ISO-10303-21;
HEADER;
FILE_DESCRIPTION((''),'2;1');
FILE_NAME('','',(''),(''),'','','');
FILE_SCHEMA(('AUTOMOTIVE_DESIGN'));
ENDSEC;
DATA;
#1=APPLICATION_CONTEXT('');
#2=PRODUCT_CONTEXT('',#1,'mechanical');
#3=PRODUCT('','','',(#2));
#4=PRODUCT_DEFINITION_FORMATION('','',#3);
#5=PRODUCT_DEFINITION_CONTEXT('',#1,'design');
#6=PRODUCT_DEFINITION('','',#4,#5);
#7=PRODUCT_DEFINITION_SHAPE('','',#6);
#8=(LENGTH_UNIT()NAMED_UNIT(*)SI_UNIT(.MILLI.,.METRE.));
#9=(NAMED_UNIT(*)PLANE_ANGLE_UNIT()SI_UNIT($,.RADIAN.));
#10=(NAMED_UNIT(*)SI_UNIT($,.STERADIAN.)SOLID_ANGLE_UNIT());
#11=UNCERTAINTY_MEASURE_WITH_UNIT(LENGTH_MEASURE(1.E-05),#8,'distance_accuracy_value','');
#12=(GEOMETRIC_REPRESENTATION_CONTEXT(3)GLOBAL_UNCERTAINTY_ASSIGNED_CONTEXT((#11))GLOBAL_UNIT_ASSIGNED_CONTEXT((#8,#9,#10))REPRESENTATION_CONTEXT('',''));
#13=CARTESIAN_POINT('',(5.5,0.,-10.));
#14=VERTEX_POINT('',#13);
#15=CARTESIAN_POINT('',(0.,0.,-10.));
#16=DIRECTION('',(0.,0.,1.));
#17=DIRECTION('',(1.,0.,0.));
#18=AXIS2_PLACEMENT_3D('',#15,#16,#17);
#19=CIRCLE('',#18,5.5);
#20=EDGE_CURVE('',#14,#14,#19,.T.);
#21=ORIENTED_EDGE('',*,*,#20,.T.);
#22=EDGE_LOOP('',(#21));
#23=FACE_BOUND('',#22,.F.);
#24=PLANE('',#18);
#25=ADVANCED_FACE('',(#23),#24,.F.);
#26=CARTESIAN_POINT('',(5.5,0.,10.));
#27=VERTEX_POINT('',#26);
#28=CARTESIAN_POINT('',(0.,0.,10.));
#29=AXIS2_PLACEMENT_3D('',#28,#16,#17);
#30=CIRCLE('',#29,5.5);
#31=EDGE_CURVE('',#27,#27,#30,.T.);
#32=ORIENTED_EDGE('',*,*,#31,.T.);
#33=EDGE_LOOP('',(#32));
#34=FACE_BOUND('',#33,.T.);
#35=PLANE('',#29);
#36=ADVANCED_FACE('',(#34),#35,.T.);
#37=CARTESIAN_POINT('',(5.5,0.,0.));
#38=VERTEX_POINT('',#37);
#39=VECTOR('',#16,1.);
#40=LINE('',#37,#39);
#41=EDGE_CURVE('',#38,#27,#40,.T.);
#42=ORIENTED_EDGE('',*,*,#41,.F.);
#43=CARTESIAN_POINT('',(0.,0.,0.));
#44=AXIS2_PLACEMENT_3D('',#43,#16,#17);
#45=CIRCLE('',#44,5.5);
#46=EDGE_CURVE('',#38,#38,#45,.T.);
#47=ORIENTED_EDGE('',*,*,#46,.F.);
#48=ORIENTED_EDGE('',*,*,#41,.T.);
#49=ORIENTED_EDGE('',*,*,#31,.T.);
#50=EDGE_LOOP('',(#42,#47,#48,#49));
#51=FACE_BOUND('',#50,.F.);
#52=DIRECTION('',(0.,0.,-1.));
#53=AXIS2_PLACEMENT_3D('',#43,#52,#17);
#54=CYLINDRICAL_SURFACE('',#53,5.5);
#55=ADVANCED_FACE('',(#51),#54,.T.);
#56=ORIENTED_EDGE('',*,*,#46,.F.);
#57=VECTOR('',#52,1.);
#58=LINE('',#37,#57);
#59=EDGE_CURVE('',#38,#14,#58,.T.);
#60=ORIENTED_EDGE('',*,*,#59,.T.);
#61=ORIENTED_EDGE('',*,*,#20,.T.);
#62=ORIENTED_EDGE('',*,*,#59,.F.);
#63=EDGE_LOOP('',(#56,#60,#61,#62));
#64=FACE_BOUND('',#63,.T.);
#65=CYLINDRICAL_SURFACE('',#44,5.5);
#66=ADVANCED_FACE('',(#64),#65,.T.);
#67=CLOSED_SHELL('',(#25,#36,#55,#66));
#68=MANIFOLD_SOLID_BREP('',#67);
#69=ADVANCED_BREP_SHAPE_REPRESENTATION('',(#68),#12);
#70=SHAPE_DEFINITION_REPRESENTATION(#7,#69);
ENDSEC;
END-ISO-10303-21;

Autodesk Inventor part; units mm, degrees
ref_plane "YZ Plane" through (0, 0, 0) normal (1, 0, 0) x (0, 1, 0)
ref_plane "XZ Plane" through (0, 0, 0) normal (0, 1, 0) x (-1, 0, 0)
ref_plane "XY Plane" through (0, 0, 0) normal (0, 0, 1) x (1, 0, 0)
sketch "Sketch1" plane through (0, 0, 0) normal (0, 0, 1) x (1, 0, 0)
  circle A0 centre (0, 0) radius 5.5
  dimension "d0" = 11
extrude "Extrusion1" add sketch "Sketch1" along normal mid plane 20
properties part number "perno2"
